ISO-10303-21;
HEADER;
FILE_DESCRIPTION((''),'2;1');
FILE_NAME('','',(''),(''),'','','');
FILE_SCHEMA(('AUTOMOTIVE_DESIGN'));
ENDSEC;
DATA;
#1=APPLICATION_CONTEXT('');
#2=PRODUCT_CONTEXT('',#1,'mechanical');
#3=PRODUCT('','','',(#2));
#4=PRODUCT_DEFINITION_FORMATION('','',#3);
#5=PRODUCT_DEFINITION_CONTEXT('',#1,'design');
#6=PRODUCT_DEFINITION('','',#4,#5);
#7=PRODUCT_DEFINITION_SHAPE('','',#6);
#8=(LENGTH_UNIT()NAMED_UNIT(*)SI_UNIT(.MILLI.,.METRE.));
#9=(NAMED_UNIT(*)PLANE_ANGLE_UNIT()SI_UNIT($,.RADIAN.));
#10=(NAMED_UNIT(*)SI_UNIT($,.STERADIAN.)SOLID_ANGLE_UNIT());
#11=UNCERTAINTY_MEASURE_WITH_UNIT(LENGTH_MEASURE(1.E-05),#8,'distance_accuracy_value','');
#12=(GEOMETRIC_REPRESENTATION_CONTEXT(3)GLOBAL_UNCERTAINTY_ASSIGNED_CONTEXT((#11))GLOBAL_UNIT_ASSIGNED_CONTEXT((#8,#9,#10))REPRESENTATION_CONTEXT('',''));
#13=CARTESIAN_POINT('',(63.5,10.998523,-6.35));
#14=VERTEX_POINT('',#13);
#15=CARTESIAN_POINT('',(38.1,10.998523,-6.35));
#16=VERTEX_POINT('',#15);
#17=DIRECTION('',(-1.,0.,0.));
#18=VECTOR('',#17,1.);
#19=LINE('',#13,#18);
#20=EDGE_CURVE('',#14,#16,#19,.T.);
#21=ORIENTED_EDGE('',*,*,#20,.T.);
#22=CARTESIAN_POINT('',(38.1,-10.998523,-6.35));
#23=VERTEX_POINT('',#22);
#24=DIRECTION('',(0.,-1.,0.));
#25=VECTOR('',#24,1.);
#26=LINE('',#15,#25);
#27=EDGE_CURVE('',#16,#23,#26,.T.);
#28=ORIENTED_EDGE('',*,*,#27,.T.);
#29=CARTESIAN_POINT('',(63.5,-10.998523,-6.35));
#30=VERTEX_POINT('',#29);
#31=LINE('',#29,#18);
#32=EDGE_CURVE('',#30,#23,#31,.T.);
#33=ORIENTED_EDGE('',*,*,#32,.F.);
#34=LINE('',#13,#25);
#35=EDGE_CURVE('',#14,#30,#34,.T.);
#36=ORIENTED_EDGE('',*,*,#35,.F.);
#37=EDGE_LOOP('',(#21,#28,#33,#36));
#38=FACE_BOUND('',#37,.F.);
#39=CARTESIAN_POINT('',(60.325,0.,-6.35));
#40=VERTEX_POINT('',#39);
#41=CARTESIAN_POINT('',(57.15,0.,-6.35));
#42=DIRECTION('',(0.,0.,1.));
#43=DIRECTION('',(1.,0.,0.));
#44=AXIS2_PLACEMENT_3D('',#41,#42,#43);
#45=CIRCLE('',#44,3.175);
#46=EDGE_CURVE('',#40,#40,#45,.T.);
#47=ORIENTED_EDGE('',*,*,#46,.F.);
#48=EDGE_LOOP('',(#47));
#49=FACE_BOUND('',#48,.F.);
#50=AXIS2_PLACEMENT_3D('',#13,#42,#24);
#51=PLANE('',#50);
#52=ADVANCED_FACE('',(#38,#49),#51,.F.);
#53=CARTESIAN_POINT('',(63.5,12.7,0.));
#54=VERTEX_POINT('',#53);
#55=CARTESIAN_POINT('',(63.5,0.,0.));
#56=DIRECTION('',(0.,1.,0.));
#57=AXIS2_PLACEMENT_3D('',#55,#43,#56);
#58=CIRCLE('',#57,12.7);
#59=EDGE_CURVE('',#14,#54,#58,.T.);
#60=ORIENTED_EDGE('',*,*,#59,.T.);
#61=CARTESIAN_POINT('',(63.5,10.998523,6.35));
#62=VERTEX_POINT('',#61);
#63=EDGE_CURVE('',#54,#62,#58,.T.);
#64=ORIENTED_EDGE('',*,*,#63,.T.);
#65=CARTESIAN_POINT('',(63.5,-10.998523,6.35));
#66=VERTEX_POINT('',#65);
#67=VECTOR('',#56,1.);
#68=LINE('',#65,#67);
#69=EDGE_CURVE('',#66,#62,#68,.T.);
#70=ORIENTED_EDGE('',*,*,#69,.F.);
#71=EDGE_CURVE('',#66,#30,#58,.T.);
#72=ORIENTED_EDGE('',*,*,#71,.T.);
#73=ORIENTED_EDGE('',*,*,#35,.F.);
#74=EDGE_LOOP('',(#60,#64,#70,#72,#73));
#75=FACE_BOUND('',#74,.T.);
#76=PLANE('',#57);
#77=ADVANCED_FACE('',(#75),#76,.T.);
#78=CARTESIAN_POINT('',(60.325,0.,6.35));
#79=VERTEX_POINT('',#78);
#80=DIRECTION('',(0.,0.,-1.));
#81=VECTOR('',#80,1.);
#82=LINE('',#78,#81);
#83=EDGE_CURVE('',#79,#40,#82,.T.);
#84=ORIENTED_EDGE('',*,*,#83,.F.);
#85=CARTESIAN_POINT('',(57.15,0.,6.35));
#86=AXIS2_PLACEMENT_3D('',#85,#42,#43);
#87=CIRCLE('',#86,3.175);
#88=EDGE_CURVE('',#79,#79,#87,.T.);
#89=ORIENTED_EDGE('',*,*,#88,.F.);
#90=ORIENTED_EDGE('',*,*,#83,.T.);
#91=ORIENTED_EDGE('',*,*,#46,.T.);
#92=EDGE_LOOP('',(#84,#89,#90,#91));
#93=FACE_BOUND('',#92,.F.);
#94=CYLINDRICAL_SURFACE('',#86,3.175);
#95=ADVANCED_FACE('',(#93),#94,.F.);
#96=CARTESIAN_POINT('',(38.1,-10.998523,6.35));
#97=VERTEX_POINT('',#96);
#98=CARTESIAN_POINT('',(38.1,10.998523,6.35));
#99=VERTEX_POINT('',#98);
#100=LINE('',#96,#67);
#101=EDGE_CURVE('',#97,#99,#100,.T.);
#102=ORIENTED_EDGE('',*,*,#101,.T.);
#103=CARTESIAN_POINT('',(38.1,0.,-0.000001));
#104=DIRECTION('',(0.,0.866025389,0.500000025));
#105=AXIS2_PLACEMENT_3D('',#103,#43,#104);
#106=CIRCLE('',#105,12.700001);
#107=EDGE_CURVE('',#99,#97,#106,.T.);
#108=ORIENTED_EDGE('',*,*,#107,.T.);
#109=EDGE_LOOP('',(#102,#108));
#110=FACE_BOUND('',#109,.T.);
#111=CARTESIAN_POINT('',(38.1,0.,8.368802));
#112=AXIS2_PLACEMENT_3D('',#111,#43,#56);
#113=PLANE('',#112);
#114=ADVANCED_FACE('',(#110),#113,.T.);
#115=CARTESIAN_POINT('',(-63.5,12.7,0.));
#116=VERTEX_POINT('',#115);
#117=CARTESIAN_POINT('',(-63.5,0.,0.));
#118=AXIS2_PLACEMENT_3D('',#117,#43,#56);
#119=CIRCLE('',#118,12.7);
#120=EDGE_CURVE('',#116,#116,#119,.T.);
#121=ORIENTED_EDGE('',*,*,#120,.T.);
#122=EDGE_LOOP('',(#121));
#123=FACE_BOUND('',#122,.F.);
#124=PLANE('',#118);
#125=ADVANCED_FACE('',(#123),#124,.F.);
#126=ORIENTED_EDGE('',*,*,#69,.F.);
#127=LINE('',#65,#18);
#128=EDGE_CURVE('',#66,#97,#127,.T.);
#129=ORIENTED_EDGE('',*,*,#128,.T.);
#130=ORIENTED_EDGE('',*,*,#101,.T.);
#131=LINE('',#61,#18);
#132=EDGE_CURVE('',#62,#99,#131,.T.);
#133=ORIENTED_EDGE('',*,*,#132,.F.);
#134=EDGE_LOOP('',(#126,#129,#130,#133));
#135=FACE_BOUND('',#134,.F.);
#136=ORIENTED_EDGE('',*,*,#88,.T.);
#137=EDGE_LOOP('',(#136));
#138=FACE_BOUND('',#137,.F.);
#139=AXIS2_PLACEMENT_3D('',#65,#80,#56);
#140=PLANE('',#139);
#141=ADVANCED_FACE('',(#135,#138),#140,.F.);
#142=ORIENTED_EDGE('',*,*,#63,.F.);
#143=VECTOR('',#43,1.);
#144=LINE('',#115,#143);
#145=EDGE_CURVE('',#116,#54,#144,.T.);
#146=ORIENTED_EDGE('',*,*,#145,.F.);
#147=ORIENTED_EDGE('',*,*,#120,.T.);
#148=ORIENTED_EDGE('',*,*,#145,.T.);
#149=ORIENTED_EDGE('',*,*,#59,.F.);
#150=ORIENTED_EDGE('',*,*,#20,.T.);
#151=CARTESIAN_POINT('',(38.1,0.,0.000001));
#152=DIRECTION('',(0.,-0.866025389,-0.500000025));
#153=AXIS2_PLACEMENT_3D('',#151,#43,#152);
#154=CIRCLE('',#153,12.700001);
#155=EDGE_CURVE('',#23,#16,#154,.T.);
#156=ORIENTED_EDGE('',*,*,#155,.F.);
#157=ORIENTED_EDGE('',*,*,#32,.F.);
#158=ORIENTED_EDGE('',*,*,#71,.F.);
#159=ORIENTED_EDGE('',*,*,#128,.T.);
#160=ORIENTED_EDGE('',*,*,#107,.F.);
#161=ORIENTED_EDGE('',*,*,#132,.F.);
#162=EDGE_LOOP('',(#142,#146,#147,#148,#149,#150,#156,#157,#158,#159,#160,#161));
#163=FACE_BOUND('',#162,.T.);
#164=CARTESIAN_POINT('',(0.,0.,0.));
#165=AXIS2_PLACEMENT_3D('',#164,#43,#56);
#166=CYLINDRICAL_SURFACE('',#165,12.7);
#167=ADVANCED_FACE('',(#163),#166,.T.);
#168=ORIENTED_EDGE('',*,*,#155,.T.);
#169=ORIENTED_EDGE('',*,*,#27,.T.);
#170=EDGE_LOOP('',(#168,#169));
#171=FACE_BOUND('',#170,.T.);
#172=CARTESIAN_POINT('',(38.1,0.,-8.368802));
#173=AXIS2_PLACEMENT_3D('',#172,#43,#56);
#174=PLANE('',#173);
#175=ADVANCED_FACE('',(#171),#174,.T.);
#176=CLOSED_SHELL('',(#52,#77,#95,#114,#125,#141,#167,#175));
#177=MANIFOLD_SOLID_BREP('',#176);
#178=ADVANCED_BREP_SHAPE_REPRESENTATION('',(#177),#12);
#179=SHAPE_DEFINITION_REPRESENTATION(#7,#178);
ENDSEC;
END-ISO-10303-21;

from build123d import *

# Parameters (mm, degrees)
F0_R     = 12.7
F1_DEPTH = 63.5
F3_DEPTH = 25.4
F4_R     = 3.175
F5_DEPTH = 19.051


with BuildPart() as f1:
    # F0 (on Right) → F1 (new body, symmetric)
    with BuildSketch(Plane.YZ):
        Circle(F0_R)
    extrude(amount=F1_DEPTH, both=True)

    # F2 (on face) → F3 (cut)
    with BuildSketch(Plane.YZ.offset(63.5)):
        with BuildLine():
            Line((10.998523, -6.35), (-10.998523, -6.35))
            ThreePointArc((-10.998523, -6.35), (0, -12.7), (10.998523, -6.35))
        make_face()
        with BuildLine():
            ThreePointArc((10.998523, 6.35), (0, 12.7), (-10.998523, 6.35))
            Line((-10.998523, 6.35), (10.998523, 6.35))
        make_face()
    extrude(amount=-F3_DEPTH, mode=Mode.SUBTRACT)

    # F4 (on face) → F5 (cut, through all)
    with BuildSketch(Plane.XY.offset(6.35)):
        with Locations((57.15, 0)):
            Circle(F4_R)
    extrude(amount=-F5_DEPTH, mode=Mode.SUBTRACT)


solid = f1.part
